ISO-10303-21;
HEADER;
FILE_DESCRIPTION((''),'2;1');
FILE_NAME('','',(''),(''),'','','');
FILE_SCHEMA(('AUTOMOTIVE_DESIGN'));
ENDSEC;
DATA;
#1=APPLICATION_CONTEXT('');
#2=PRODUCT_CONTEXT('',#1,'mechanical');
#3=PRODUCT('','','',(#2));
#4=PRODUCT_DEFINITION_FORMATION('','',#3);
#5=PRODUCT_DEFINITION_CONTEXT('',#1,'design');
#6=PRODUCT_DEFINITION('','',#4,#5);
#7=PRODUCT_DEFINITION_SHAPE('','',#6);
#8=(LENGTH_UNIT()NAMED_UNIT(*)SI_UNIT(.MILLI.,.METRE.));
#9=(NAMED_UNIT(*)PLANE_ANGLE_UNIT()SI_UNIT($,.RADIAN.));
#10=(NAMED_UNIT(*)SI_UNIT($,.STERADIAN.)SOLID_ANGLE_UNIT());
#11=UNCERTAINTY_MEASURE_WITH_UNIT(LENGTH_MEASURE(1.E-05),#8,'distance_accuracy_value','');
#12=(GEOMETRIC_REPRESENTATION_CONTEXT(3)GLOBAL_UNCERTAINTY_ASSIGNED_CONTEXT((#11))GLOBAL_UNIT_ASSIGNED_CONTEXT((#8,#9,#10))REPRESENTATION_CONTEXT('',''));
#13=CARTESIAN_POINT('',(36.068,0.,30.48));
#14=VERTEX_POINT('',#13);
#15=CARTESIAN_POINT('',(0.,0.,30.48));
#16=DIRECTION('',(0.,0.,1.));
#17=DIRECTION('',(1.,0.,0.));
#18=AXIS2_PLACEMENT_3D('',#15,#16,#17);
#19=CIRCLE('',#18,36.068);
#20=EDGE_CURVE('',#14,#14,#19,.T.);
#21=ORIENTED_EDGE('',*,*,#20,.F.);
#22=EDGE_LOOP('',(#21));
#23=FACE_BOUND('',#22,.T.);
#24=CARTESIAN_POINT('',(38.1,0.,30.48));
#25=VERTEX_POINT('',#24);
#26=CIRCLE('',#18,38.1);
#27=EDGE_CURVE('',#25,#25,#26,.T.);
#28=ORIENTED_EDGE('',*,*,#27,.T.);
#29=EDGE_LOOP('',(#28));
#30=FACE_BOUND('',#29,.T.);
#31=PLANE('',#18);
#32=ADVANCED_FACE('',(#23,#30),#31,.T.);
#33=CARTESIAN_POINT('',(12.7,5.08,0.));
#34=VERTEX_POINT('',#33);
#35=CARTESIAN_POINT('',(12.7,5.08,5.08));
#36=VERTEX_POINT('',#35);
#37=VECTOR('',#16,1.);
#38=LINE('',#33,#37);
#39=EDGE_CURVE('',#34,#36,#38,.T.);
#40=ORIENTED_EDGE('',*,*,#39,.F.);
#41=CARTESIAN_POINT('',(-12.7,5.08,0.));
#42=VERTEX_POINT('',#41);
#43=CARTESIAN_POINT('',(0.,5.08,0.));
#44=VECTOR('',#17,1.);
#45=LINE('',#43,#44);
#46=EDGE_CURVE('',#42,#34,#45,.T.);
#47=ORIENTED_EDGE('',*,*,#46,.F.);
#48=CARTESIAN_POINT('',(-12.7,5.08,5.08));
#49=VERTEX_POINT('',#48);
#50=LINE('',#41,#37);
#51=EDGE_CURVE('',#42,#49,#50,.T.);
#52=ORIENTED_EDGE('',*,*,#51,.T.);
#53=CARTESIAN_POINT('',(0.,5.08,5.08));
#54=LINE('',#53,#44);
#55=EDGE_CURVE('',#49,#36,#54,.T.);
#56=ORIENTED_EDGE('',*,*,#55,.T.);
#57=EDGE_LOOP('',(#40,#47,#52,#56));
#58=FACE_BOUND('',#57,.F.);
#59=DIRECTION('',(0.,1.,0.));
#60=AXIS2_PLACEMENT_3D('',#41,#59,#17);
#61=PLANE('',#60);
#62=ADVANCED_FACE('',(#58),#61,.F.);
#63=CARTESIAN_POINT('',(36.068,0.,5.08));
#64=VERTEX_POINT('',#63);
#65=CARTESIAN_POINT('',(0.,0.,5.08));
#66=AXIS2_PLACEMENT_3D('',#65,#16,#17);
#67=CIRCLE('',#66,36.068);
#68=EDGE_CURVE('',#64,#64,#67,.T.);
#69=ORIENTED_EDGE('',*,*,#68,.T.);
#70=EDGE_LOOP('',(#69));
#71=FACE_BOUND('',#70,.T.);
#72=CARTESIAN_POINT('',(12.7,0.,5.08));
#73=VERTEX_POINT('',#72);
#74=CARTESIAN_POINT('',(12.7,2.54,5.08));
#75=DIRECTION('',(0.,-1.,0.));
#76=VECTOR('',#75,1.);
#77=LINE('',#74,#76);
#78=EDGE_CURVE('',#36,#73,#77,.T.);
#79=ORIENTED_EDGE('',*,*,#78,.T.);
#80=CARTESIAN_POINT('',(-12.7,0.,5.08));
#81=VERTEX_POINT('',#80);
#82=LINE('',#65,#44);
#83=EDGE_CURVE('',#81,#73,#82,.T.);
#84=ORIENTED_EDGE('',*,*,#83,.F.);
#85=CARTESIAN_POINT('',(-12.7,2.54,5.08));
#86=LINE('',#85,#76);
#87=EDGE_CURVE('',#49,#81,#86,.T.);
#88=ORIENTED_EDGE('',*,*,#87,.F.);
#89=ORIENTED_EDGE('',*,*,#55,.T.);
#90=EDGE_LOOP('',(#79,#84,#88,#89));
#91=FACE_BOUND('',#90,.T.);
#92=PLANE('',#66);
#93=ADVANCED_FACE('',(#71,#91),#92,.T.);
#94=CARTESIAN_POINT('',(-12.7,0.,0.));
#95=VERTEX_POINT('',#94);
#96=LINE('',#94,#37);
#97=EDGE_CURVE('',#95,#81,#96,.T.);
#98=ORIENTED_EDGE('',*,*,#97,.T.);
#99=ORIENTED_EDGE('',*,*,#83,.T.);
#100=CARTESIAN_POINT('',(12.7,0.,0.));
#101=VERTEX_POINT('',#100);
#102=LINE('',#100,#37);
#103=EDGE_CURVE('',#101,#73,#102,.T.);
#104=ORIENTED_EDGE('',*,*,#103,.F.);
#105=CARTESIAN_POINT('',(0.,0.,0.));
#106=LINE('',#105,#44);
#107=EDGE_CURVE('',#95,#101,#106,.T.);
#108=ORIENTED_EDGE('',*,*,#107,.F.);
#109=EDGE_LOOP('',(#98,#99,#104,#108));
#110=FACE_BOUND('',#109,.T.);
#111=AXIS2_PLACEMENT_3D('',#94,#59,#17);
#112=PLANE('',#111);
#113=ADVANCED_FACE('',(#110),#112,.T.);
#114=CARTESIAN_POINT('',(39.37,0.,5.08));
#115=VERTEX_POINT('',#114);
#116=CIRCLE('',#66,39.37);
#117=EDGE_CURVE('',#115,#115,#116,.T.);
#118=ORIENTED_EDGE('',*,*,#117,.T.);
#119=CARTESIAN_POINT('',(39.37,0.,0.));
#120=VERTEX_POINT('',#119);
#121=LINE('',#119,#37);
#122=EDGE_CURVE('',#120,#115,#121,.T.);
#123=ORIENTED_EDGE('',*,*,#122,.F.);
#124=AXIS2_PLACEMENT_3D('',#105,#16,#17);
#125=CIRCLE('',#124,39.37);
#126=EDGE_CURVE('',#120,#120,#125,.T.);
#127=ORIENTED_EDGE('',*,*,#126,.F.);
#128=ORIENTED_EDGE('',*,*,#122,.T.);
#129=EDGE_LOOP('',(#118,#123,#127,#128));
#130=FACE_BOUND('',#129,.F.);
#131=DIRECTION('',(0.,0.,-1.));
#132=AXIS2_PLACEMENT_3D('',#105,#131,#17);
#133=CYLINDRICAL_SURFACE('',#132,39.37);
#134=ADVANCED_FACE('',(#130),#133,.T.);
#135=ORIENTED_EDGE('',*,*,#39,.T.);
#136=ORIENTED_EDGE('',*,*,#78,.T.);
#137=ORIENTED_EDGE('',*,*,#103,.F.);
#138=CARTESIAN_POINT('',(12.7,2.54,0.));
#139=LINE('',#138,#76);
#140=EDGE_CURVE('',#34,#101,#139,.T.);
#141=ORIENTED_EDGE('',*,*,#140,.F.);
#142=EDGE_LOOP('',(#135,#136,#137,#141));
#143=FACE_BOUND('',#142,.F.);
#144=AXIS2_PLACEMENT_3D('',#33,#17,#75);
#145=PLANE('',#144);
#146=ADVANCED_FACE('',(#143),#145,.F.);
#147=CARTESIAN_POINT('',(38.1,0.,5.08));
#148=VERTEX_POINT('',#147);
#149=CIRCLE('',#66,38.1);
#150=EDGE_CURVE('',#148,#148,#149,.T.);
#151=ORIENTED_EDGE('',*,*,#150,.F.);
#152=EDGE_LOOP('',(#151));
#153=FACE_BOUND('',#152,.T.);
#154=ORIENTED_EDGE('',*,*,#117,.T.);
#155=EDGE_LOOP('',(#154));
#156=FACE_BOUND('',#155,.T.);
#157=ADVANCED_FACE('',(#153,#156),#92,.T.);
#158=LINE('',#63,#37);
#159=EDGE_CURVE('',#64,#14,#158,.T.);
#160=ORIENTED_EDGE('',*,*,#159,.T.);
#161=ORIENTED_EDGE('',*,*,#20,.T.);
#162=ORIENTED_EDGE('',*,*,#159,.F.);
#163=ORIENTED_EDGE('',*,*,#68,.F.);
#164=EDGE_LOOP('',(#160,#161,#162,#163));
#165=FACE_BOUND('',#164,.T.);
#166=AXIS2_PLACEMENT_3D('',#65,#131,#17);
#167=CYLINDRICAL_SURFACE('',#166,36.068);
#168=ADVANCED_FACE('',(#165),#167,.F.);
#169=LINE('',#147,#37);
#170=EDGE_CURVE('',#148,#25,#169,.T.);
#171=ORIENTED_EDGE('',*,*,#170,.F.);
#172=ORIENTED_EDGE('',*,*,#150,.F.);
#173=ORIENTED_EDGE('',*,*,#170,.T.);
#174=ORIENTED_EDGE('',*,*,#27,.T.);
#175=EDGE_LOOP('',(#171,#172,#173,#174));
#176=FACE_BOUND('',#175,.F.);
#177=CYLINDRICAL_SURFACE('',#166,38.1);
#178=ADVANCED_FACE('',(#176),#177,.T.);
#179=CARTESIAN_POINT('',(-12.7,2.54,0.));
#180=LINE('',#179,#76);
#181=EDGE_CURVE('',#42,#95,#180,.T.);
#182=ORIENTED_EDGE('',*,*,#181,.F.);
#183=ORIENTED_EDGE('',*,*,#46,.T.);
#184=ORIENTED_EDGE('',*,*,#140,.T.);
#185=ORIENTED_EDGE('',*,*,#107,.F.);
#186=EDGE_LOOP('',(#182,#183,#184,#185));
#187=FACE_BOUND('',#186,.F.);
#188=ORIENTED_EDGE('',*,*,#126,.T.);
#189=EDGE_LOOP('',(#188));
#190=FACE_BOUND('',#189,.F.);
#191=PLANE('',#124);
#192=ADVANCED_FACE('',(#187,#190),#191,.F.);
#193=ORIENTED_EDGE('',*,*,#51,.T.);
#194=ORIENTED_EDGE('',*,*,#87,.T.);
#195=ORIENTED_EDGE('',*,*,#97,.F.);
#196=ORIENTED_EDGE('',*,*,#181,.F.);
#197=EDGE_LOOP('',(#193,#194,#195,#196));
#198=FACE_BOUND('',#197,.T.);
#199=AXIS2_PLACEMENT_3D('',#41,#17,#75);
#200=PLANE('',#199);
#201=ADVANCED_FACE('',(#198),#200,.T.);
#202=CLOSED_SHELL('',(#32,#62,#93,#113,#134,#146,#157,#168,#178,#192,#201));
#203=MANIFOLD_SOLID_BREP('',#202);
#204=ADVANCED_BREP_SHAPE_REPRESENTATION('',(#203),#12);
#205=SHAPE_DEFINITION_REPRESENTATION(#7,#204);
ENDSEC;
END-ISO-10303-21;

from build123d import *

# Parameters (mm, degrees)
F0_R     = 39.37
F1_DEPTH = 5.08
F2_R     = 38.1
F2_R_2   = 36.068
F3_DEPTH = 25.4
F4_W     = 25.4
F4_H     = 5.08
F5_DEPTH = 5.08


with BuildPart() as f1:
    # F0 (on Top) → F1 (new body)
    with BuildSketch(Plane.XY):
        Circle(F0_R)
    extrude(amount=F1_DEPTH)

    # F2 (on face) → F3 (join)
    with BuildSketch(Plane.XY.offset(5.08)):
        Circle(F2_R)
        Circle(F2_R_2, mode=Mode.SUBTRACT)
    extrude(amount=F3_DEPTH)

    # F4 (on face) → F5 (cut)
    with BuildSketch(Plane(origin=(0, 0, 0), x_dir=(1, 0, 0), z_dir=(0, 0, -1))):
        with Locations((0, -2.54)):
            Rectangle(F4_W, F4_H)
    extrude(amount=-F5_DEPTH, mode=Mode.SUBTRACT)


solid = f1.part
